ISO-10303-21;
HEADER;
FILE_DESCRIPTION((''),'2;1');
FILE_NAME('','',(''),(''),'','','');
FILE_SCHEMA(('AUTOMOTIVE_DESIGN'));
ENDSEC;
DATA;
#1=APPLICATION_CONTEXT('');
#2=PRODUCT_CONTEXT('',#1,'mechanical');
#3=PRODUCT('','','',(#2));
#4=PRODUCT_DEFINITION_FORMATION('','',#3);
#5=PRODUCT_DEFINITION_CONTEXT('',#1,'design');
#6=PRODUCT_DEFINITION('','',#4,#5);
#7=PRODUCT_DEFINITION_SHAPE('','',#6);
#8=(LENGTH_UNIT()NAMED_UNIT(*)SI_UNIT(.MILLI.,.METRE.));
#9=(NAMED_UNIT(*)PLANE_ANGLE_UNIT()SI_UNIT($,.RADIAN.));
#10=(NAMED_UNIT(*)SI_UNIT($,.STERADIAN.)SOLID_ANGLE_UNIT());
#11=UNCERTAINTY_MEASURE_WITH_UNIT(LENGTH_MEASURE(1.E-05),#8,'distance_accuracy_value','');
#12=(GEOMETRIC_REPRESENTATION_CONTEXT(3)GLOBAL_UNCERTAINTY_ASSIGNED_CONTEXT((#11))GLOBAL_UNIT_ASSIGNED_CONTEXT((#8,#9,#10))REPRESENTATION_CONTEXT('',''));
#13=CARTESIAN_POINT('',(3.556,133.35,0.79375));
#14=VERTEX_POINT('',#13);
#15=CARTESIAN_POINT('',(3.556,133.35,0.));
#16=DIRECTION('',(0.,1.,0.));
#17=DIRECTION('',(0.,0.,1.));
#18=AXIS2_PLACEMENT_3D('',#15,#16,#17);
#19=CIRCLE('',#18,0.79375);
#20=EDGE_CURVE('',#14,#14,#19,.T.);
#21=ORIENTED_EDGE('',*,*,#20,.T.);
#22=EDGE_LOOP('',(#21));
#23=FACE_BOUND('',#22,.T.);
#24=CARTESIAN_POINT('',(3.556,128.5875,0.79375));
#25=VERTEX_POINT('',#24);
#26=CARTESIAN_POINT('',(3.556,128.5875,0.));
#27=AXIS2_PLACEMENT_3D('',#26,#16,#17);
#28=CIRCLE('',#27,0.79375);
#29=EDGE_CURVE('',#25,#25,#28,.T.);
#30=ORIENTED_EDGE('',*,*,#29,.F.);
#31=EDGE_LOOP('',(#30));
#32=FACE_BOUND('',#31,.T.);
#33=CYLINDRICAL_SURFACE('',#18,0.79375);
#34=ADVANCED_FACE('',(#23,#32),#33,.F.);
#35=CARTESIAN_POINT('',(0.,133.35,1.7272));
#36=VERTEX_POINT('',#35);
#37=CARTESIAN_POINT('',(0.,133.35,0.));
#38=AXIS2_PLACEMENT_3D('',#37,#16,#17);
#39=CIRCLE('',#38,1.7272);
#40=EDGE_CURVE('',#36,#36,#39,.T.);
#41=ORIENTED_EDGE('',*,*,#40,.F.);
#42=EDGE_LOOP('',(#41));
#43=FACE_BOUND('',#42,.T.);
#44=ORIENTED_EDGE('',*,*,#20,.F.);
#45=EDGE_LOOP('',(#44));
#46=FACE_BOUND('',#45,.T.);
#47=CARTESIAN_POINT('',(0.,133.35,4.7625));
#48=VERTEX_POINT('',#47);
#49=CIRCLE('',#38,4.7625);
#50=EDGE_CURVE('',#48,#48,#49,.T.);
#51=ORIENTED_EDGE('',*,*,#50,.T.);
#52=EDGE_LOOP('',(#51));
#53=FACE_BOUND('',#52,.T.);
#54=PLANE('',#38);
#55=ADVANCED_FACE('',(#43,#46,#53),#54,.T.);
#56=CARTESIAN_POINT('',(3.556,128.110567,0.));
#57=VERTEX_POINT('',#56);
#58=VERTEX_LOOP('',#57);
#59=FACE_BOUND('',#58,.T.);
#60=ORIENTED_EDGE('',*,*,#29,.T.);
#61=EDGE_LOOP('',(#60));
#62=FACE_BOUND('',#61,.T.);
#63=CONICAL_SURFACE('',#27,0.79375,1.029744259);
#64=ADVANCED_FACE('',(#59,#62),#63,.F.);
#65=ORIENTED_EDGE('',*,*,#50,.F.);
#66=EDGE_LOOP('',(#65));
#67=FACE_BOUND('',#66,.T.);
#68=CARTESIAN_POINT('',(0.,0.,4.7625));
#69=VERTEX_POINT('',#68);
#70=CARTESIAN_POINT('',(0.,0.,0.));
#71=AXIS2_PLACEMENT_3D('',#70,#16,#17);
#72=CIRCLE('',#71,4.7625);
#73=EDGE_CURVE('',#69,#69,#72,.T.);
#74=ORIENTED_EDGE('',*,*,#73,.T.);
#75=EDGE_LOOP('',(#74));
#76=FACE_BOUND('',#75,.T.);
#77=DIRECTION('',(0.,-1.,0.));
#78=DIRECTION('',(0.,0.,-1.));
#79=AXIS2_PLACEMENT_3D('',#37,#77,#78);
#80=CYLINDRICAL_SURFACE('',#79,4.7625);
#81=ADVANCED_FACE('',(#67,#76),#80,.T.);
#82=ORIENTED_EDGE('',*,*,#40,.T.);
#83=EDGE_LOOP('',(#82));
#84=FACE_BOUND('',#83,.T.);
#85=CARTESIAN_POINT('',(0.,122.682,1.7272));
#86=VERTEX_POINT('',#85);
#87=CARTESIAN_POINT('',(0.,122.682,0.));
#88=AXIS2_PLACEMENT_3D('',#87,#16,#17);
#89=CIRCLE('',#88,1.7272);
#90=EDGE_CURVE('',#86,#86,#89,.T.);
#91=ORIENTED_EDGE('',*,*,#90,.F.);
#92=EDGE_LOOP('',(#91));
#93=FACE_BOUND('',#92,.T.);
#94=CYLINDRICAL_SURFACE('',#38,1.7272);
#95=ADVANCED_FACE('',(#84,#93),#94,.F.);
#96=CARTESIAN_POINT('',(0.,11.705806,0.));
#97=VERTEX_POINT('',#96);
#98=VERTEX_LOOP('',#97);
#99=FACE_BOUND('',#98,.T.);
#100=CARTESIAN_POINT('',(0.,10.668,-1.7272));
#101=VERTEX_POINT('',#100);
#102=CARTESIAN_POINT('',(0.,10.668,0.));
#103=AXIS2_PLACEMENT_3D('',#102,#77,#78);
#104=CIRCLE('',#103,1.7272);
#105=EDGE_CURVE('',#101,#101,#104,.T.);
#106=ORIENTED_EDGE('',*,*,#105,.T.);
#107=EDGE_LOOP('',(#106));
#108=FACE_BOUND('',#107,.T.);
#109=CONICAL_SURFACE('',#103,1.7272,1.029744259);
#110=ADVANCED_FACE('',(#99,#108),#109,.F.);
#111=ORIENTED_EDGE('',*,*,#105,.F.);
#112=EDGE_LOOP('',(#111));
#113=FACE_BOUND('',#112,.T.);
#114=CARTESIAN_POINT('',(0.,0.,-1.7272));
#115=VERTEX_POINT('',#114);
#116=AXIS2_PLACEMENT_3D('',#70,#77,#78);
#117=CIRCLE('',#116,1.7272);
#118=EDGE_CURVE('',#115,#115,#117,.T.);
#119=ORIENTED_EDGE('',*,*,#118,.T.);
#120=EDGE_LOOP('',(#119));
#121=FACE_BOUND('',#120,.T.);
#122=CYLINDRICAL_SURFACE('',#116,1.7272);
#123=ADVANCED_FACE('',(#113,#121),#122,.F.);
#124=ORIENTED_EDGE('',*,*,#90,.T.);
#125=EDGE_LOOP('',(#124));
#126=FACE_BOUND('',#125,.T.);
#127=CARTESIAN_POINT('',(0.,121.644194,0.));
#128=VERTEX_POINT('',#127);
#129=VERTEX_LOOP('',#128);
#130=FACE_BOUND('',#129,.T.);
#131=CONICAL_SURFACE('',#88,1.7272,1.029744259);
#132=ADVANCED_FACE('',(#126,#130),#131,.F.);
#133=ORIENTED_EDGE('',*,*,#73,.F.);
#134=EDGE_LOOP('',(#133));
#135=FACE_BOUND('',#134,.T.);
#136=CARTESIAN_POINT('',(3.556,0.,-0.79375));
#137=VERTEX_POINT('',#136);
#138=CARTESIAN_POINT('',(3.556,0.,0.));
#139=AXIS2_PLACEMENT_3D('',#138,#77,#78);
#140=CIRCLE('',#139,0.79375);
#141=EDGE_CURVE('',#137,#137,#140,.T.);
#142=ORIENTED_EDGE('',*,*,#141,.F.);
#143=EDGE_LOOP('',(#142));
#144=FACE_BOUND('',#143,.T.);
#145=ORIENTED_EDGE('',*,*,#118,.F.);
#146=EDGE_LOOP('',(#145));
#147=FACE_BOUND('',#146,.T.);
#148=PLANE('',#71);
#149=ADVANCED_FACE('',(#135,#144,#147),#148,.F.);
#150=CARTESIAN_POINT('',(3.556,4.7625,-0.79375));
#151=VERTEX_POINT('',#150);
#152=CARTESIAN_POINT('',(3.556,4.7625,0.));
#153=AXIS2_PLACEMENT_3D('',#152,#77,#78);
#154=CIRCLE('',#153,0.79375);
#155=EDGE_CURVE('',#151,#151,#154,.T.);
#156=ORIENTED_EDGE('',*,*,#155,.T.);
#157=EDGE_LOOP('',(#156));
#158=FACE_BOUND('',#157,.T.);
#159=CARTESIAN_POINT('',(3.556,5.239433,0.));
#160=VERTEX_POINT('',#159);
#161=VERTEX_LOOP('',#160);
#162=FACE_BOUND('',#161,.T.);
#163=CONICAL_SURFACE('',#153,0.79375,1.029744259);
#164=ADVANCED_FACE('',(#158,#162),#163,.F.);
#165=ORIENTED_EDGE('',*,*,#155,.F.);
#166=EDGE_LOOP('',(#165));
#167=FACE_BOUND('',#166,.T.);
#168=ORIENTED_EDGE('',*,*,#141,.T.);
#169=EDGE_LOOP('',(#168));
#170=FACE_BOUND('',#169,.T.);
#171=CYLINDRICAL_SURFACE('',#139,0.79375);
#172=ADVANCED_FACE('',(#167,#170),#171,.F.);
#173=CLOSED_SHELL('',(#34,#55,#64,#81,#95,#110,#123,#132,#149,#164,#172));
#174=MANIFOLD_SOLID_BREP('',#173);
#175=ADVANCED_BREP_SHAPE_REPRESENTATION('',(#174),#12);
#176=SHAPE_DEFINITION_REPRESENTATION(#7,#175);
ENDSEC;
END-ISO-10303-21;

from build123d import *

# Parameters (mm, degrees)
SKETCH1_R                                    = 4.7625
BOSS_EXTRUDE1_DEPTH                          = 133.35
F_8_32_TAPPED_HOLE1_D                        = 3.4544
F_8_32_TAPPED_HOLE1_DEPTH                    = 10.668
F_8_32_TAPPED_HOLE1_TIP                      = 1.037806461
F_8_32_TAPPED_HOLE1_ON_FACE_2_D              = 3.4544
F_8_32_TAPPED_HOLE1_ON_FACE_2_DEPTH          = 10.668
F_8_32_TAPPED_HOLE1_ON_FACE_2_TIP            = 1.037806461
F_1_16_0_0625_DIAMETER_HOLE1_D               = 1.5875
F_1_16_0_0625_DIAMETER_HOLE1_DEPTH           = 4.7625
F_1_16_0_0625_DIAMETER_HOLE1_TIP             = 0.476933116
F_1_16_0_0625_DIAMETER_HOLE1_ON_FACE_2_D     = 1.5875
F_1_16_0_0625_DIAMETER_HOLE1_ON_FACE_2_DEPTH = 4.7625
F_1_16_0_0625_DIAMETER_HOLE1_ON_FACE_2_TIP   = 0.476933116


with BuildPart() as part:
    # Sketch1 → Boss-Extrude1 (new body)
    with BuildSketch(Plane(origin=(0, 0, 0), x_dir=(1, 0, 0), z_dir=(0, 1, 0))):
        with Locations(Location((0, 0, 0), (0, 0, 270))):
            Circle(SKETCH1_R)
    extrude(amount=BOSS_EXTRUDE1_DEPTH)

    # #8-32 Tapped Hole1
    with Locations(Plane.ZX.offset(133.35)):
        with Locations((0, 0)):
            Hole(F_8_32_TAPPED_HOLE1_D / 2, depth=F_8_32_TAPPED_HOLE1_DEPTH)
            with Locations((0, 0, -(F_8_32_TAPPED_HOLE1_DEPTH + F_8_32_TAPPED_HOLE1_TIP / 2))):  # 118° drill point
                Cone(0, F_8_32_TAPPED_HOLE1_D / 2, F_8_32_TAPPED_HOLE1_TIP, mode=Mode.SUBTRACT)

    # #8-32 Tapped Hole1 on face 2
    with Locations(Plane(origin=(0, 0, 0), x_dir=(0, 0, -1), z_dir=(0, -1, 0))):
        with Locations((0, 0)):
            Hole(F_8_32_TAPPED_HOLE1_ON_FACE_2_D / 2, depth=F_8_32_TAPPED_HOLE1_ON_FACE_2_DEPTH)
            with Locations((0, 0, -(F_8_32_TAPPED_HOLE1_ON_FACE_2_DEPTH + F_8_32_TAPPED_HOLE1_ON_FACE_2_TIP / 2))):  # 118° drill point
                Cone(0, F_8_32_TAPPED_HOLE1_ON_FACE_2_D / 2, F_8_32_TAPPED_HOLE1_ON_FACE_2_TIP, mode=Mode.SUBTRACT)

    # 1/16 (0.0625) Diameter Hole1
    with Locations(Plane(origin=(3.556, 0, 0), x_dir=(0, 0, -1), z_dir=(0, -1, 0))):
        with Locations((0, 0)):
            Hole(F_1_16_0_0625_DIAMETER_HOLE1_D / 2, depth=F_1_16_0_0625_DIAMETER_HOLE1_DEPTH)
            with Locations((0, 0, -(F_1_16_0_0625_DIAMETER_HOLE1_DEPTH + F_1_16_0_0625_DIAMETER_HOLE1_TIP / 2))):  # 118° drill point
                Cone(0, F_1_16_0_0625_DIAMETER_HOLE1_D / 2, F_1_16_0_0625_DIAMETER_HOLE1_TIP, mode=Mode.SUBTRACT)

    # 1/16 (0.0625) Diameter Hole1 on face 2
    with Locations(Plane(origin=(3.556, 133.35, 0), x_dir=(0, 0, 1), z_dir=(0, 1, 0))):
        with Locations((0, 0)):
            Hole(F_1_16_0_0625_DIAMETER_HOLE1_ON_FACE_2_D / 2, depth=F_1_16_0_0625_DIAMETER_HOLE1_ON_FACE_2_DEPTH)
            with Locations((0, 0, -(F_1_16_0_0625_DIAMETER_HOLE1_ON_FACE_2_DEPTH + F_1_16_0_0625_DIAMETER_HOLE1_ON_FACE_2_TIP / 2))):  # 118° drill point
                Cone(0, F_1_16_0_0625_DIAMETER_HOLE1_ON_FACE_2_D / 2, F_1_16_0_0625_DIAMETER_HOLE1_ON_FACE_2_TIP, mode=Mode.SUBTRACT)


solid = part.part
